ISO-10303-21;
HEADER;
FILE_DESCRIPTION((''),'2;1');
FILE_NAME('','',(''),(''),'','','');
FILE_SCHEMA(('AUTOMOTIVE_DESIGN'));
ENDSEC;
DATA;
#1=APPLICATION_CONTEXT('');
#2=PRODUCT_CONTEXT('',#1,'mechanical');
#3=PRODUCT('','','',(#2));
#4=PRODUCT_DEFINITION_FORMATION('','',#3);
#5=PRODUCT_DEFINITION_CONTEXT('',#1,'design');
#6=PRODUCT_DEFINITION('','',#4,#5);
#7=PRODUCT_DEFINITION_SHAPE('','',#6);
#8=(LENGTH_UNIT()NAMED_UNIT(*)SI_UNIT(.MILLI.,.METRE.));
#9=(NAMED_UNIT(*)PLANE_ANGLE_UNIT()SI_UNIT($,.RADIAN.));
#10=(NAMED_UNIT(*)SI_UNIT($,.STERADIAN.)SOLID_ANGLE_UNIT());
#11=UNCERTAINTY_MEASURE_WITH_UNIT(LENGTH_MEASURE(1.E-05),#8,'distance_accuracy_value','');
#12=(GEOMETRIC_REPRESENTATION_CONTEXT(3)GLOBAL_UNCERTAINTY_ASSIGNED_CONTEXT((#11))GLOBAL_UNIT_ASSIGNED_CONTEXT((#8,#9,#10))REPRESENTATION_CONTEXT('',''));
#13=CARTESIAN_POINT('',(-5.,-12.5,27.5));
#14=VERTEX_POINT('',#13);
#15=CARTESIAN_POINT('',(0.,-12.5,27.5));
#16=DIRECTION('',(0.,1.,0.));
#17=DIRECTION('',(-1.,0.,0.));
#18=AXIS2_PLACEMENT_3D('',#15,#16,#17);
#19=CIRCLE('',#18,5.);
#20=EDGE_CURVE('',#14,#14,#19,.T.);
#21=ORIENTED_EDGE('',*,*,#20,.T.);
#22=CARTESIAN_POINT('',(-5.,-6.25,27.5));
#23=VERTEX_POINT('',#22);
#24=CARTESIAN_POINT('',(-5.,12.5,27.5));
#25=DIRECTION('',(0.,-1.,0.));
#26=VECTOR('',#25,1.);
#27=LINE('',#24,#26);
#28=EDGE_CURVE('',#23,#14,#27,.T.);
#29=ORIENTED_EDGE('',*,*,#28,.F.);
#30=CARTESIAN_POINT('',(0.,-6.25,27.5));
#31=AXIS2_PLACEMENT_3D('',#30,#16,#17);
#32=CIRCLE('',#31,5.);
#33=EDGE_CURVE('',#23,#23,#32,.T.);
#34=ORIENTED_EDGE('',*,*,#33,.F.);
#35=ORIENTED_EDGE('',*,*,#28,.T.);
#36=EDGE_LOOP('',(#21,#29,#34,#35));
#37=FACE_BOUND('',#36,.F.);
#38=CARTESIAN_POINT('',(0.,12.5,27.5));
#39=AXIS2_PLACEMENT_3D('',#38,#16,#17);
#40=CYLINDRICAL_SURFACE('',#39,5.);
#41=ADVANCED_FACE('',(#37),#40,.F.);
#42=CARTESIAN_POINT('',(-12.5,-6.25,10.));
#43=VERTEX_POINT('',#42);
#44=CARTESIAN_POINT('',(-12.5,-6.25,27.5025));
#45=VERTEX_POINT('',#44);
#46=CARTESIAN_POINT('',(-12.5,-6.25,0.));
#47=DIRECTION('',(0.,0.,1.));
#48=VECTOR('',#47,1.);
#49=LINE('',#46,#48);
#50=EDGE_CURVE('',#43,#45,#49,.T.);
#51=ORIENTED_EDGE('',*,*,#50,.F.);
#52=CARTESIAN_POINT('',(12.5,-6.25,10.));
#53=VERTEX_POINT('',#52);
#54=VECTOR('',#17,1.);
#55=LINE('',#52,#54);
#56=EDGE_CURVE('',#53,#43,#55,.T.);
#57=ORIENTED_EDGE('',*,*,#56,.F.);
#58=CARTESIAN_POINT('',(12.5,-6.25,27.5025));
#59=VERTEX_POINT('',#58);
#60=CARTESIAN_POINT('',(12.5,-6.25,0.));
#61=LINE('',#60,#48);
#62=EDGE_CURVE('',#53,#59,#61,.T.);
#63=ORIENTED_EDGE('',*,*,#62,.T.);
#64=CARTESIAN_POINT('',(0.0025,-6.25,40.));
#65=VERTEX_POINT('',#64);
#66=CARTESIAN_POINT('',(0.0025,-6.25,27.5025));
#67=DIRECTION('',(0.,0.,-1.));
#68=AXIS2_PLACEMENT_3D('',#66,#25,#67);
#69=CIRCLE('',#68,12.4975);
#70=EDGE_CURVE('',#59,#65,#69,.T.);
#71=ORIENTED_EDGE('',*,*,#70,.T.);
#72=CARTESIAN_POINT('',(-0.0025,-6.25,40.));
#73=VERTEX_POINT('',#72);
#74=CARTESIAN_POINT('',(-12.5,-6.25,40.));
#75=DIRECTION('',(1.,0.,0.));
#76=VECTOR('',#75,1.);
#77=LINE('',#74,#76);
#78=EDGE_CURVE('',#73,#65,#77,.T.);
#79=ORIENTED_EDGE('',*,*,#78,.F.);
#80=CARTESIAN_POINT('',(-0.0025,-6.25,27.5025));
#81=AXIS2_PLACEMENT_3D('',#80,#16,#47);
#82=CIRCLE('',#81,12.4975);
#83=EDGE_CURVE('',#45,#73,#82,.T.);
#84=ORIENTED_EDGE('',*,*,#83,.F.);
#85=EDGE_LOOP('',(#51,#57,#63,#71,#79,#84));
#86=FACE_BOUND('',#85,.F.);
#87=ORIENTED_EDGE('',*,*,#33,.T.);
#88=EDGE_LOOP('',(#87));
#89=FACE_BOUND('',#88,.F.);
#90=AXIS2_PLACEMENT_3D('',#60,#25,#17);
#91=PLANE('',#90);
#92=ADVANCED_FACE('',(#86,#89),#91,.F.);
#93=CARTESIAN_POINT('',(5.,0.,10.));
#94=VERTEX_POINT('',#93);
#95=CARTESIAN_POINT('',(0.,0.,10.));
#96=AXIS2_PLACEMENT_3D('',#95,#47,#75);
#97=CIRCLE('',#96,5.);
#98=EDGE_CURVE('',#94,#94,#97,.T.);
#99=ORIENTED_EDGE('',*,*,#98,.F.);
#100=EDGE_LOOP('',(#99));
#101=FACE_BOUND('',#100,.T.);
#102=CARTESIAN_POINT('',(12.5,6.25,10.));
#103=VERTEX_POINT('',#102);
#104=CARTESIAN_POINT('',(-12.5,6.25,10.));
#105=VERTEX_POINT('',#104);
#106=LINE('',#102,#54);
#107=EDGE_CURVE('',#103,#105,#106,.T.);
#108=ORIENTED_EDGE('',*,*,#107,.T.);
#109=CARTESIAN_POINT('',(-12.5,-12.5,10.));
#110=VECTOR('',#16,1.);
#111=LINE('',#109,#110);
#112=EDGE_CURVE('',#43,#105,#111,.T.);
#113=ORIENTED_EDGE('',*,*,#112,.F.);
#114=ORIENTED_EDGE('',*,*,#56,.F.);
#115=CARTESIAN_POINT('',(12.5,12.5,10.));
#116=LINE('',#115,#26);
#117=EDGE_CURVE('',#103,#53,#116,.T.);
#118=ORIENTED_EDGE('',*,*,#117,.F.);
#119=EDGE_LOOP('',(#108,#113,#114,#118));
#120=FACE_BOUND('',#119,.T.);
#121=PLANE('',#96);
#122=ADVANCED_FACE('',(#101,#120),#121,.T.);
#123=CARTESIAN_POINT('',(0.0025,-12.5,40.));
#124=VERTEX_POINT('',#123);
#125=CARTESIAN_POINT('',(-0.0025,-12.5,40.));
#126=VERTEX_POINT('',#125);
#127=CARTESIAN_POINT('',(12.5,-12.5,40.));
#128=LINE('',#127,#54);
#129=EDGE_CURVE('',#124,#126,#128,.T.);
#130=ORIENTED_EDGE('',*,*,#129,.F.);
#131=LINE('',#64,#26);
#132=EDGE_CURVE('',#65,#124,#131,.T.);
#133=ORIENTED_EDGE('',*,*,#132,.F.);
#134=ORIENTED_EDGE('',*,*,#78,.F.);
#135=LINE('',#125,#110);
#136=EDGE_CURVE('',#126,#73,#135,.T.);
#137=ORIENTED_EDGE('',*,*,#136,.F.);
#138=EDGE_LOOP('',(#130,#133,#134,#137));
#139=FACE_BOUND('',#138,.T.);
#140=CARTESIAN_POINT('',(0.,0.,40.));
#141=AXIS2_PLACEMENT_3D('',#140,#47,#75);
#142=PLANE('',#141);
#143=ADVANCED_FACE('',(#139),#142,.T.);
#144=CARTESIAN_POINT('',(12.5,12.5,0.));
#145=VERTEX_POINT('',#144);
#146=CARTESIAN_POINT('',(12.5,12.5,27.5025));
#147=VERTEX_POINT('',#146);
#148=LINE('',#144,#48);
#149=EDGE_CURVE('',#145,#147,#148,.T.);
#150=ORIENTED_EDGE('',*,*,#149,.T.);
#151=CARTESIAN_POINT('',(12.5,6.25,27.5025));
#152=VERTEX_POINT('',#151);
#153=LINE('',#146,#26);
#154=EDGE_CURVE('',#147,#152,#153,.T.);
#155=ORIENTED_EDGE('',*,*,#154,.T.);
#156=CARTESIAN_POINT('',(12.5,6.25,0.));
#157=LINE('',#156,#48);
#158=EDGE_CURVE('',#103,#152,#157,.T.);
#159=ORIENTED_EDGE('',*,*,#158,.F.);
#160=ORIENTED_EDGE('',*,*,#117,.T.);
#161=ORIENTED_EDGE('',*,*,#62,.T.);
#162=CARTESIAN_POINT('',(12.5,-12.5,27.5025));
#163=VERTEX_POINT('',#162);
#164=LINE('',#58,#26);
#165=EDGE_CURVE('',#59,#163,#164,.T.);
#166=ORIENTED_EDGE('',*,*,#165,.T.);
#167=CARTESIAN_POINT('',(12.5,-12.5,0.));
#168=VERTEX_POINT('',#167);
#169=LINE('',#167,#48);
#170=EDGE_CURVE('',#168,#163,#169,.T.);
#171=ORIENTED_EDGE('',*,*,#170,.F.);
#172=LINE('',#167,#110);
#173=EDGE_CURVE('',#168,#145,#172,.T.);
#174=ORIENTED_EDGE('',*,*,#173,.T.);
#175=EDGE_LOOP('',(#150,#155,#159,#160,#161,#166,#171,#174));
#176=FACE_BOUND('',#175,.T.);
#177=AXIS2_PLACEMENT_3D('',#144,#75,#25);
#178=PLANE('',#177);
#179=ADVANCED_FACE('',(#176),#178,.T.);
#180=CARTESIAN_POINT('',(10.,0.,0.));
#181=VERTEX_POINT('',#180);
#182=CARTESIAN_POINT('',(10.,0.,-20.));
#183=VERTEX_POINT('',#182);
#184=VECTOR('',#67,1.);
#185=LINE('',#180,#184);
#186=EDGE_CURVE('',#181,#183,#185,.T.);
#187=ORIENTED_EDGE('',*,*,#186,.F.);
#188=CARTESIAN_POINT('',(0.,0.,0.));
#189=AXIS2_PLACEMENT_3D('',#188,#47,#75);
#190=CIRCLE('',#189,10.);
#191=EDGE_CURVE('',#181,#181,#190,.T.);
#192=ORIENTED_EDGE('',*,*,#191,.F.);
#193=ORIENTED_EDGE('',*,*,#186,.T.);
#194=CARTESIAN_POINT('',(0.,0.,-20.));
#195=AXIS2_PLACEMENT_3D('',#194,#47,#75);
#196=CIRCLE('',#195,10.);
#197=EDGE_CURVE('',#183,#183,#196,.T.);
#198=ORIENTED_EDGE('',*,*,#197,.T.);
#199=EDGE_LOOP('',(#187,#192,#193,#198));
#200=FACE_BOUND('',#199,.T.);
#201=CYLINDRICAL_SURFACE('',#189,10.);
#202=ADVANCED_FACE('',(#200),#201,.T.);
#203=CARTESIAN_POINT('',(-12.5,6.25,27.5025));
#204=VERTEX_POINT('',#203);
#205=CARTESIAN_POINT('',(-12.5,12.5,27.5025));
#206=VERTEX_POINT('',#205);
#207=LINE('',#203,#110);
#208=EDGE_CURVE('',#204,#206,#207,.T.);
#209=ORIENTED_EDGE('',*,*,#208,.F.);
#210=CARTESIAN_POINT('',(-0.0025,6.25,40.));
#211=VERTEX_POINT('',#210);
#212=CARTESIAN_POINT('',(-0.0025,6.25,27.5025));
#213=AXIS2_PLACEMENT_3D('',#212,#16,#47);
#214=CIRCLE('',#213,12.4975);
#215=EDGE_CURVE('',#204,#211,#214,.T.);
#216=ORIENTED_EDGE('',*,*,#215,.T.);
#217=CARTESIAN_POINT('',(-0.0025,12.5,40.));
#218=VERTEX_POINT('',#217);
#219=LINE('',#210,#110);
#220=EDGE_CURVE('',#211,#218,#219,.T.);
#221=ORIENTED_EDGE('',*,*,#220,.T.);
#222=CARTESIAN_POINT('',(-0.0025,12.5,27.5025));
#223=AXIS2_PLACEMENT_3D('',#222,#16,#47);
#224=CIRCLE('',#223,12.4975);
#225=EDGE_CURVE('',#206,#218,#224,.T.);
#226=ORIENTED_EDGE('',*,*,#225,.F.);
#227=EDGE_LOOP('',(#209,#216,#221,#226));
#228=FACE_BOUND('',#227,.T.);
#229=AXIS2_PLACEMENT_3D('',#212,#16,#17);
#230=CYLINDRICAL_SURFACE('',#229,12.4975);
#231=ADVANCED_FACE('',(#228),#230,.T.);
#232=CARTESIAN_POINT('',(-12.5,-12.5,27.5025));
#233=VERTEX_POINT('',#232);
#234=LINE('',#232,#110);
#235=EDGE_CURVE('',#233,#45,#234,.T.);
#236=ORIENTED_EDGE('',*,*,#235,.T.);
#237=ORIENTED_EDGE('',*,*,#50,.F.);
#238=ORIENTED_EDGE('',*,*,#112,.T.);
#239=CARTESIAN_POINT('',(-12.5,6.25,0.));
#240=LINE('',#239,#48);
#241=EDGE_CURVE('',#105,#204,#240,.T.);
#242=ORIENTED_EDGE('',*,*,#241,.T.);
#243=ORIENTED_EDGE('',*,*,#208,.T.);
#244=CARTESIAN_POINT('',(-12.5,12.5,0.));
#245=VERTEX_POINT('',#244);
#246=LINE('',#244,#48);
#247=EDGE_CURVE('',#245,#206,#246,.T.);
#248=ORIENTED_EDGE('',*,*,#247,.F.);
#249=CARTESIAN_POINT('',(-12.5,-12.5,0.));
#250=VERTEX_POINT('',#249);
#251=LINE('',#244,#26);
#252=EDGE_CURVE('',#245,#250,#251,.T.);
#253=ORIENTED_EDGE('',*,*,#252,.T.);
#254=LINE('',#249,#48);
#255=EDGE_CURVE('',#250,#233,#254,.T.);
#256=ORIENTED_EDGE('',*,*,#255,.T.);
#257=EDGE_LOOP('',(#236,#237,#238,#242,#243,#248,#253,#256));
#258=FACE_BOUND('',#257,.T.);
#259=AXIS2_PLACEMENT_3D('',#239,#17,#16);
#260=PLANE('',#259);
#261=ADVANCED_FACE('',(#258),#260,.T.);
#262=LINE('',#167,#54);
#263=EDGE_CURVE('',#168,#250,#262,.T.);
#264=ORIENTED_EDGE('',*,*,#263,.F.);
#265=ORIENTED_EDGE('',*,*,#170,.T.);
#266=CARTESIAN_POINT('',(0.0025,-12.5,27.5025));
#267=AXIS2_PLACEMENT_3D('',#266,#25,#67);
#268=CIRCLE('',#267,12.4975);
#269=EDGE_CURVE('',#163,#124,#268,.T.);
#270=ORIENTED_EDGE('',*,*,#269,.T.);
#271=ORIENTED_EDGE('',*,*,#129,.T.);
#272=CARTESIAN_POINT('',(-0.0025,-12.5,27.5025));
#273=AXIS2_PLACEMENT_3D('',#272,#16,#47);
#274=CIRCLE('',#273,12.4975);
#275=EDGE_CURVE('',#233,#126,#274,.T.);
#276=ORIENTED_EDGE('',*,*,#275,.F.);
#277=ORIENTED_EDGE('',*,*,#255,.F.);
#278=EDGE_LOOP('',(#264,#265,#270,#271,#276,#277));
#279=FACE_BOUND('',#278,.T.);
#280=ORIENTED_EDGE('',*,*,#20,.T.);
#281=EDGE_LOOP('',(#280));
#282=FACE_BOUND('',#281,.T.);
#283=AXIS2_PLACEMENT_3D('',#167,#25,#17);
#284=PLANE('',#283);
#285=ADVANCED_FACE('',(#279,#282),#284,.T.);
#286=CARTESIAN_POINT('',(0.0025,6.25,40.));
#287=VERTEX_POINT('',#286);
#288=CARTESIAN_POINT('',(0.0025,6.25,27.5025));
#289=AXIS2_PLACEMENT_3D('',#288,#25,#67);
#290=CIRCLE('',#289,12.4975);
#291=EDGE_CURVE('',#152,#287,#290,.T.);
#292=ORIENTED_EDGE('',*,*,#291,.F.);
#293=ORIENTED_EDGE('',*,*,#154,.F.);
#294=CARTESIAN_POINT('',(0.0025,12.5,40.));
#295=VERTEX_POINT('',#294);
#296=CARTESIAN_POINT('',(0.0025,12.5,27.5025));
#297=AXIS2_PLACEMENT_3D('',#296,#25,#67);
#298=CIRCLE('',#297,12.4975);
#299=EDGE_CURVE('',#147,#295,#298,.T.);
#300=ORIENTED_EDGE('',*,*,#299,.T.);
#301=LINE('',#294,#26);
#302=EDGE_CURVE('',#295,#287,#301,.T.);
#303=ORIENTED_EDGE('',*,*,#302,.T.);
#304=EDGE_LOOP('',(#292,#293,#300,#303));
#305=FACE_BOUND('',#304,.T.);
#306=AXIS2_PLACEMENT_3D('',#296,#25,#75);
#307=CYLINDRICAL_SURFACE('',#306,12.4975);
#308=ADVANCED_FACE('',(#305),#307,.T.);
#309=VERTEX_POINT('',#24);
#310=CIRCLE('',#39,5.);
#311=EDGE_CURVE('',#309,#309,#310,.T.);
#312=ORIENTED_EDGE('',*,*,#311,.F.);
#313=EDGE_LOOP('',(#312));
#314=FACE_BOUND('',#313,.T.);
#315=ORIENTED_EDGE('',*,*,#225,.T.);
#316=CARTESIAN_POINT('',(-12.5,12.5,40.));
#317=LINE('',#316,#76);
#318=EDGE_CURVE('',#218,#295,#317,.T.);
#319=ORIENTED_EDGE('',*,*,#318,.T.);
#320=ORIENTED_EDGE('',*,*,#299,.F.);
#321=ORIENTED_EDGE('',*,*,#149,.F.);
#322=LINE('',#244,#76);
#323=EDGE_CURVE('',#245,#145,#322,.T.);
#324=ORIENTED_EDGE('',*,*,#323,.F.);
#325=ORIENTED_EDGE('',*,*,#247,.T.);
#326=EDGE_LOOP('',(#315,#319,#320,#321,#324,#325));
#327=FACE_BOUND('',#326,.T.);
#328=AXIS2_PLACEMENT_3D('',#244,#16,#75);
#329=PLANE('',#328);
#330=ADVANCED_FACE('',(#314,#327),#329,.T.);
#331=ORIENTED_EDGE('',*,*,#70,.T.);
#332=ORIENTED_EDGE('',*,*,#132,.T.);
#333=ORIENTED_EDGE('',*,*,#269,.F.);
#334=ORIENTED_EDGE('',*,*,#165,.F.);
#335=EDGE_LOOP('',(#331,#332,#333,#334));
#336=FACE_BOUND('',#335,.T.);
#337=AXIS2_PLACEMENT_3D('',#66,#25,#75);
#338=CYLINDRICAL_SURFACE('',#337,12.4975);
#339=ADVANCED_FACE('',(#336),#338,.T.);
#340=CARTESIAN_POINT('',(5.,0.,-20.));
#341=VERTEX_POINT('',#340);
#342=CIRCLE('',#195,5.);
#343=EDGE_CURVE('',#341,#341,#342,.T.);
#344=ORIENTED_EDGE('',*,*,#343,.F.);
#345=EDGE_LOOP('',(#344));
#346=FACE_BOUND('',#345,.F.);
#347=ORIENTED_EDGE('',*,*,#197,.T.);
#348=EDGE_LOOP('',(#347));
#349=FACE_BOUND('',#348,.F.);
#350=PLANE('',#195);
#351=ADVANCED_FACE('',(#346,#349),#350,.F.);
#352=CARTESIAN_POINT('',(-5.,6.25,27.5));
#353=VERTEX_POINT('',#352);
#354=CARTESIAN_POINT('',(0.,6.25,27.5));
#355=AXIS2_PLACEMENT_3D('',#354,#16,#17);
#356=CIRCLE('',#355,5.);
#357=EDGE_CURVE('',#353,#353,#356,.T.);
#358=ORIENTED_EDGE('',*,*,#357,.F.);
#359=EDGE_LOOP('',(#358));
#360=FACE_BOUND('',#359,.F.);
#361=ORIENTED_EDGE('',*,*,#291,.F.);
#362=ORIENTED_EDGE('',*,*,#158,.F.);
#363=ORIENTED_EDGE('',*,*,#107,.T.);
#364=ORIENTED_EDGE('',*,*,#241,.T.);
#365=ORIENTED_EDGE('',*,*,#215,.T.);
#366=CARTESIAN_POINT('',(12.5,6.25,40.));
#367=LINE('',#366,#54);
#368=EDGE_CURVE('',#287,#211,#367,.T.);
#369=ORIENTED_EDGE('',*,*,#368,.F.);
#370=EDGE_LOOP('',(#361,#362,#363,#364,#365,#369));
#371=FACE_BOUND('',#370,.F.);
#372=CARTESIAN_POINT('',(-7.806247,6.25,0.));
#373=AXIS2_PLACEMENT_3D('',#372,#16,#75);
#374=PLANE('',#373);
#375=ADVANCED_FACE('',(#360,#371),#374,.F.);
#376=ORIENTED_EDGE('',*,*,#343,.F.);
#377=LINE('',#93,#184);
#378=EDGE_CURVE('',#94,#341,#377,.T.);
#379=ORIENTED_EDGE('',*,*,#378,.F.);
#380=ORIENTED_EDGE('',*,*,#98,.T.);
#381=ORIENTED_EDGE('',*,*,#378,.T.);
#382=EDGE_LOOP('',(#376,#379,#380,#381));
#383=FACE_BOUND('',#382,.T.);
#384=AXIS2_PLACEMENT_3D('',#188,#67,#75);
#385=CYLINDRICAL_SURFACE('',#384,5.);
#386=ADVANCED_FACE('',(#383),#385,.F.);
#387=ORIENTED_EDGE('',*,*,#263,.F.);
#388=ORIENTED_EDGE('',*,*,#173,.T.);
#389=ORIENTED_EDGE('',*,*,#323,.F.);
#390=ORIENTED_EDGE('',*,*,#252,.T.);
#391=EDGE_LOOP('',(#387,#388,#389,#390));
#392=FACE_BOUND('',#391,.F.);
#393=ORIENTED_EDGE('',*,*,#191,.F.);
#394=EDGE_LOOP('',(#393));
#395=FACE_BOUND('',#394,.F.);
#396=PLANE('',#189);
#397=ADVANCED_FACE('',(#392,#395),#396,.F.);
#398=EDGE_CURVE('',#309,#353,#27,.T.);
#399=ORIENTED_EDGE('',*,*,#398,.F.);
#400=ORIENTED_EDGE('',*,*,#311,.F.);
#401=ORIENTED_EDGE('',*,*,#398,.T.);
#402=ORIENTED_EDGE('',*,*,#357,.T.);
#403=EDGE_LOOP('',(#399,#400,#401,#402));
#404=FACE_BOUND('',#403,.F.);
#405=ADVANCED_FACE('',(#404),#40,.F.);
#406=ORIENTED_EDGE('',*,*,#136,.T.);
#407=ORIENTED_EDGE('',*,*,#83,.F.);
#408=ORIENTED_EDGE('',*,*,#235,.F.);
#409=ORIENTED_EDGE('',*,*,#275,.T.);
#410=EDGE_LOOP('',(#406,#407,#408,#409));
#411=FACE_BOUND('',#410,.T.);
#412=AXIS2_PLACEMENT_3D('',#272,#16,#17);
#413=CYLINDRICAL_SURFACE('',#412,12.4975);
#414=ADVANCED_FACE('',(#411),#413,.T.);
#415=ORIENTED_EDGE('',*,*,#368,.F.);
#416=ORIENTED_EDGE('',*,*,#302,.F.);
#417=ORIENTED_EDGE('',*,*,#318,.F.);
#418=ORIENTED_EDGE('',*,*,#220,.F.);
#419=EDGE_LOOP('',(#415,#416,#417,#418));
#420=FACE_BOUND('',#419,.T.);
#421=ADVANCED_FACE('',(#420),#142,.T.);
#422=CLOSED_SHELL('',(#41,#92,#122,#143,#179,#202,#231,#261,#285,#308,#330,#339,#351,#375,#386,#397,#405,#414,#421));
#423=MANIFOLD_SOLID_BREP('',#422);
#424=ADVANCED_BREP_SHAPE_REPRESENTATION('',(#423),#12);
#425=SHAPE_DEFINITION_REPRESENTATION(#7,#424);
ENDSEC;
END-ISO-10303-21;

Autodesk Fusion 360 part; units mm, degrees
sketch "Sketch1" plane through (0, 0, 0) normal (0, 0, 1) x (1, 0, 0)
  circle A0 centre (0, 0) radius 10
  line L0 (-12.5, 12.5) -> (12.5, 12.5)
  line L1 (12.5, 12.5) -> (12.5, -12.5)
  line L2 (12.5, -12.5) -> (-12.5, -12.5)
  line L3 (-12.5, -12.5) -> (-12.5, 12.5)
  line L4 (-12.5, 6.25) -> (12.5, 6.25)
  line L5 (12.5, 6.25) -> (12.5, -6.25)
  line L6 (12.5, -6.25) -> (-12.5, -6.25)
  line L7 (-12.5, -6.25) -> (-12.5, 6.25)
  circle A1 centre (0, 0) radius 5
  dimension "d1" = 20
  dimension "d2" = 25
  dimension "d3" = 25
  dimension "d4" = 12.5
  dimension "d5" = 12.5
  dimension "d6" = 25
  dimension "d7" = 12.5
  dimension "d8" = 6.25
  dimension "d9" = 10
extrude "Extrude1" add sketch "Sketch1" along normal blind 40 contours A0 L4 | A0 L0 L1 L3 L4 | A0 L1 L2 L3 L6 | A0 L6 makes body 1 at (-4.1667, 6.25, 13.3333) makes body 2 at (4.1667, -6.25, 13.3333)
extrude "Extrude2" add sketch "Sketch1" against normal blind 20 contours A0 L4 L6 | A0 L4 | A0 L6 bodies 1 2
extrude "Extrude3" add sketch "Sketch1" along normal blind 10 contours A0 L4 L6 | A0 L1 L4 L5 L6 | A0 L3 L4 L6 L7 bodies 1
sketch "Sketch2" plane through (0, 12.5, 0) normal (0, 1, 0) x (-1, 0, 0)
  line L0 (-12.5, 0) -> (12.5, 0)
  line L1 (12.5, 0) -> (12.5, 40)
  line L2 (12.5, 40) -> (-12.5, 40)
  line L3 (-12.5, 40) -> (-12.5, 0)
  circle A0 centre (0, 27.5) radius 5
  line L4 (12.5, 0) -> (-12.5, 0)
  dimension "d16" = 10
  dimension "d17" = 27.5
extrude "Extrude4" cut sketch "Sketch2" against normal up to surface (25 mm away) contours A0 bodies 1
fillet "Fillet1" radius 12.5 4 edges at (12.5, 9.375, 40) (-12.5, 9.375, 40) (-12.5, -9.375, 40) (12.5, -9.375, 40) on bodies 1
equation "d4 = ( 25 / 2 ) * 1 mm"
equation "d5 = ( 25 / 2 ) * 1 mm"
equation "d8 = ( 12.5 / 2 ) * 1 mm"
